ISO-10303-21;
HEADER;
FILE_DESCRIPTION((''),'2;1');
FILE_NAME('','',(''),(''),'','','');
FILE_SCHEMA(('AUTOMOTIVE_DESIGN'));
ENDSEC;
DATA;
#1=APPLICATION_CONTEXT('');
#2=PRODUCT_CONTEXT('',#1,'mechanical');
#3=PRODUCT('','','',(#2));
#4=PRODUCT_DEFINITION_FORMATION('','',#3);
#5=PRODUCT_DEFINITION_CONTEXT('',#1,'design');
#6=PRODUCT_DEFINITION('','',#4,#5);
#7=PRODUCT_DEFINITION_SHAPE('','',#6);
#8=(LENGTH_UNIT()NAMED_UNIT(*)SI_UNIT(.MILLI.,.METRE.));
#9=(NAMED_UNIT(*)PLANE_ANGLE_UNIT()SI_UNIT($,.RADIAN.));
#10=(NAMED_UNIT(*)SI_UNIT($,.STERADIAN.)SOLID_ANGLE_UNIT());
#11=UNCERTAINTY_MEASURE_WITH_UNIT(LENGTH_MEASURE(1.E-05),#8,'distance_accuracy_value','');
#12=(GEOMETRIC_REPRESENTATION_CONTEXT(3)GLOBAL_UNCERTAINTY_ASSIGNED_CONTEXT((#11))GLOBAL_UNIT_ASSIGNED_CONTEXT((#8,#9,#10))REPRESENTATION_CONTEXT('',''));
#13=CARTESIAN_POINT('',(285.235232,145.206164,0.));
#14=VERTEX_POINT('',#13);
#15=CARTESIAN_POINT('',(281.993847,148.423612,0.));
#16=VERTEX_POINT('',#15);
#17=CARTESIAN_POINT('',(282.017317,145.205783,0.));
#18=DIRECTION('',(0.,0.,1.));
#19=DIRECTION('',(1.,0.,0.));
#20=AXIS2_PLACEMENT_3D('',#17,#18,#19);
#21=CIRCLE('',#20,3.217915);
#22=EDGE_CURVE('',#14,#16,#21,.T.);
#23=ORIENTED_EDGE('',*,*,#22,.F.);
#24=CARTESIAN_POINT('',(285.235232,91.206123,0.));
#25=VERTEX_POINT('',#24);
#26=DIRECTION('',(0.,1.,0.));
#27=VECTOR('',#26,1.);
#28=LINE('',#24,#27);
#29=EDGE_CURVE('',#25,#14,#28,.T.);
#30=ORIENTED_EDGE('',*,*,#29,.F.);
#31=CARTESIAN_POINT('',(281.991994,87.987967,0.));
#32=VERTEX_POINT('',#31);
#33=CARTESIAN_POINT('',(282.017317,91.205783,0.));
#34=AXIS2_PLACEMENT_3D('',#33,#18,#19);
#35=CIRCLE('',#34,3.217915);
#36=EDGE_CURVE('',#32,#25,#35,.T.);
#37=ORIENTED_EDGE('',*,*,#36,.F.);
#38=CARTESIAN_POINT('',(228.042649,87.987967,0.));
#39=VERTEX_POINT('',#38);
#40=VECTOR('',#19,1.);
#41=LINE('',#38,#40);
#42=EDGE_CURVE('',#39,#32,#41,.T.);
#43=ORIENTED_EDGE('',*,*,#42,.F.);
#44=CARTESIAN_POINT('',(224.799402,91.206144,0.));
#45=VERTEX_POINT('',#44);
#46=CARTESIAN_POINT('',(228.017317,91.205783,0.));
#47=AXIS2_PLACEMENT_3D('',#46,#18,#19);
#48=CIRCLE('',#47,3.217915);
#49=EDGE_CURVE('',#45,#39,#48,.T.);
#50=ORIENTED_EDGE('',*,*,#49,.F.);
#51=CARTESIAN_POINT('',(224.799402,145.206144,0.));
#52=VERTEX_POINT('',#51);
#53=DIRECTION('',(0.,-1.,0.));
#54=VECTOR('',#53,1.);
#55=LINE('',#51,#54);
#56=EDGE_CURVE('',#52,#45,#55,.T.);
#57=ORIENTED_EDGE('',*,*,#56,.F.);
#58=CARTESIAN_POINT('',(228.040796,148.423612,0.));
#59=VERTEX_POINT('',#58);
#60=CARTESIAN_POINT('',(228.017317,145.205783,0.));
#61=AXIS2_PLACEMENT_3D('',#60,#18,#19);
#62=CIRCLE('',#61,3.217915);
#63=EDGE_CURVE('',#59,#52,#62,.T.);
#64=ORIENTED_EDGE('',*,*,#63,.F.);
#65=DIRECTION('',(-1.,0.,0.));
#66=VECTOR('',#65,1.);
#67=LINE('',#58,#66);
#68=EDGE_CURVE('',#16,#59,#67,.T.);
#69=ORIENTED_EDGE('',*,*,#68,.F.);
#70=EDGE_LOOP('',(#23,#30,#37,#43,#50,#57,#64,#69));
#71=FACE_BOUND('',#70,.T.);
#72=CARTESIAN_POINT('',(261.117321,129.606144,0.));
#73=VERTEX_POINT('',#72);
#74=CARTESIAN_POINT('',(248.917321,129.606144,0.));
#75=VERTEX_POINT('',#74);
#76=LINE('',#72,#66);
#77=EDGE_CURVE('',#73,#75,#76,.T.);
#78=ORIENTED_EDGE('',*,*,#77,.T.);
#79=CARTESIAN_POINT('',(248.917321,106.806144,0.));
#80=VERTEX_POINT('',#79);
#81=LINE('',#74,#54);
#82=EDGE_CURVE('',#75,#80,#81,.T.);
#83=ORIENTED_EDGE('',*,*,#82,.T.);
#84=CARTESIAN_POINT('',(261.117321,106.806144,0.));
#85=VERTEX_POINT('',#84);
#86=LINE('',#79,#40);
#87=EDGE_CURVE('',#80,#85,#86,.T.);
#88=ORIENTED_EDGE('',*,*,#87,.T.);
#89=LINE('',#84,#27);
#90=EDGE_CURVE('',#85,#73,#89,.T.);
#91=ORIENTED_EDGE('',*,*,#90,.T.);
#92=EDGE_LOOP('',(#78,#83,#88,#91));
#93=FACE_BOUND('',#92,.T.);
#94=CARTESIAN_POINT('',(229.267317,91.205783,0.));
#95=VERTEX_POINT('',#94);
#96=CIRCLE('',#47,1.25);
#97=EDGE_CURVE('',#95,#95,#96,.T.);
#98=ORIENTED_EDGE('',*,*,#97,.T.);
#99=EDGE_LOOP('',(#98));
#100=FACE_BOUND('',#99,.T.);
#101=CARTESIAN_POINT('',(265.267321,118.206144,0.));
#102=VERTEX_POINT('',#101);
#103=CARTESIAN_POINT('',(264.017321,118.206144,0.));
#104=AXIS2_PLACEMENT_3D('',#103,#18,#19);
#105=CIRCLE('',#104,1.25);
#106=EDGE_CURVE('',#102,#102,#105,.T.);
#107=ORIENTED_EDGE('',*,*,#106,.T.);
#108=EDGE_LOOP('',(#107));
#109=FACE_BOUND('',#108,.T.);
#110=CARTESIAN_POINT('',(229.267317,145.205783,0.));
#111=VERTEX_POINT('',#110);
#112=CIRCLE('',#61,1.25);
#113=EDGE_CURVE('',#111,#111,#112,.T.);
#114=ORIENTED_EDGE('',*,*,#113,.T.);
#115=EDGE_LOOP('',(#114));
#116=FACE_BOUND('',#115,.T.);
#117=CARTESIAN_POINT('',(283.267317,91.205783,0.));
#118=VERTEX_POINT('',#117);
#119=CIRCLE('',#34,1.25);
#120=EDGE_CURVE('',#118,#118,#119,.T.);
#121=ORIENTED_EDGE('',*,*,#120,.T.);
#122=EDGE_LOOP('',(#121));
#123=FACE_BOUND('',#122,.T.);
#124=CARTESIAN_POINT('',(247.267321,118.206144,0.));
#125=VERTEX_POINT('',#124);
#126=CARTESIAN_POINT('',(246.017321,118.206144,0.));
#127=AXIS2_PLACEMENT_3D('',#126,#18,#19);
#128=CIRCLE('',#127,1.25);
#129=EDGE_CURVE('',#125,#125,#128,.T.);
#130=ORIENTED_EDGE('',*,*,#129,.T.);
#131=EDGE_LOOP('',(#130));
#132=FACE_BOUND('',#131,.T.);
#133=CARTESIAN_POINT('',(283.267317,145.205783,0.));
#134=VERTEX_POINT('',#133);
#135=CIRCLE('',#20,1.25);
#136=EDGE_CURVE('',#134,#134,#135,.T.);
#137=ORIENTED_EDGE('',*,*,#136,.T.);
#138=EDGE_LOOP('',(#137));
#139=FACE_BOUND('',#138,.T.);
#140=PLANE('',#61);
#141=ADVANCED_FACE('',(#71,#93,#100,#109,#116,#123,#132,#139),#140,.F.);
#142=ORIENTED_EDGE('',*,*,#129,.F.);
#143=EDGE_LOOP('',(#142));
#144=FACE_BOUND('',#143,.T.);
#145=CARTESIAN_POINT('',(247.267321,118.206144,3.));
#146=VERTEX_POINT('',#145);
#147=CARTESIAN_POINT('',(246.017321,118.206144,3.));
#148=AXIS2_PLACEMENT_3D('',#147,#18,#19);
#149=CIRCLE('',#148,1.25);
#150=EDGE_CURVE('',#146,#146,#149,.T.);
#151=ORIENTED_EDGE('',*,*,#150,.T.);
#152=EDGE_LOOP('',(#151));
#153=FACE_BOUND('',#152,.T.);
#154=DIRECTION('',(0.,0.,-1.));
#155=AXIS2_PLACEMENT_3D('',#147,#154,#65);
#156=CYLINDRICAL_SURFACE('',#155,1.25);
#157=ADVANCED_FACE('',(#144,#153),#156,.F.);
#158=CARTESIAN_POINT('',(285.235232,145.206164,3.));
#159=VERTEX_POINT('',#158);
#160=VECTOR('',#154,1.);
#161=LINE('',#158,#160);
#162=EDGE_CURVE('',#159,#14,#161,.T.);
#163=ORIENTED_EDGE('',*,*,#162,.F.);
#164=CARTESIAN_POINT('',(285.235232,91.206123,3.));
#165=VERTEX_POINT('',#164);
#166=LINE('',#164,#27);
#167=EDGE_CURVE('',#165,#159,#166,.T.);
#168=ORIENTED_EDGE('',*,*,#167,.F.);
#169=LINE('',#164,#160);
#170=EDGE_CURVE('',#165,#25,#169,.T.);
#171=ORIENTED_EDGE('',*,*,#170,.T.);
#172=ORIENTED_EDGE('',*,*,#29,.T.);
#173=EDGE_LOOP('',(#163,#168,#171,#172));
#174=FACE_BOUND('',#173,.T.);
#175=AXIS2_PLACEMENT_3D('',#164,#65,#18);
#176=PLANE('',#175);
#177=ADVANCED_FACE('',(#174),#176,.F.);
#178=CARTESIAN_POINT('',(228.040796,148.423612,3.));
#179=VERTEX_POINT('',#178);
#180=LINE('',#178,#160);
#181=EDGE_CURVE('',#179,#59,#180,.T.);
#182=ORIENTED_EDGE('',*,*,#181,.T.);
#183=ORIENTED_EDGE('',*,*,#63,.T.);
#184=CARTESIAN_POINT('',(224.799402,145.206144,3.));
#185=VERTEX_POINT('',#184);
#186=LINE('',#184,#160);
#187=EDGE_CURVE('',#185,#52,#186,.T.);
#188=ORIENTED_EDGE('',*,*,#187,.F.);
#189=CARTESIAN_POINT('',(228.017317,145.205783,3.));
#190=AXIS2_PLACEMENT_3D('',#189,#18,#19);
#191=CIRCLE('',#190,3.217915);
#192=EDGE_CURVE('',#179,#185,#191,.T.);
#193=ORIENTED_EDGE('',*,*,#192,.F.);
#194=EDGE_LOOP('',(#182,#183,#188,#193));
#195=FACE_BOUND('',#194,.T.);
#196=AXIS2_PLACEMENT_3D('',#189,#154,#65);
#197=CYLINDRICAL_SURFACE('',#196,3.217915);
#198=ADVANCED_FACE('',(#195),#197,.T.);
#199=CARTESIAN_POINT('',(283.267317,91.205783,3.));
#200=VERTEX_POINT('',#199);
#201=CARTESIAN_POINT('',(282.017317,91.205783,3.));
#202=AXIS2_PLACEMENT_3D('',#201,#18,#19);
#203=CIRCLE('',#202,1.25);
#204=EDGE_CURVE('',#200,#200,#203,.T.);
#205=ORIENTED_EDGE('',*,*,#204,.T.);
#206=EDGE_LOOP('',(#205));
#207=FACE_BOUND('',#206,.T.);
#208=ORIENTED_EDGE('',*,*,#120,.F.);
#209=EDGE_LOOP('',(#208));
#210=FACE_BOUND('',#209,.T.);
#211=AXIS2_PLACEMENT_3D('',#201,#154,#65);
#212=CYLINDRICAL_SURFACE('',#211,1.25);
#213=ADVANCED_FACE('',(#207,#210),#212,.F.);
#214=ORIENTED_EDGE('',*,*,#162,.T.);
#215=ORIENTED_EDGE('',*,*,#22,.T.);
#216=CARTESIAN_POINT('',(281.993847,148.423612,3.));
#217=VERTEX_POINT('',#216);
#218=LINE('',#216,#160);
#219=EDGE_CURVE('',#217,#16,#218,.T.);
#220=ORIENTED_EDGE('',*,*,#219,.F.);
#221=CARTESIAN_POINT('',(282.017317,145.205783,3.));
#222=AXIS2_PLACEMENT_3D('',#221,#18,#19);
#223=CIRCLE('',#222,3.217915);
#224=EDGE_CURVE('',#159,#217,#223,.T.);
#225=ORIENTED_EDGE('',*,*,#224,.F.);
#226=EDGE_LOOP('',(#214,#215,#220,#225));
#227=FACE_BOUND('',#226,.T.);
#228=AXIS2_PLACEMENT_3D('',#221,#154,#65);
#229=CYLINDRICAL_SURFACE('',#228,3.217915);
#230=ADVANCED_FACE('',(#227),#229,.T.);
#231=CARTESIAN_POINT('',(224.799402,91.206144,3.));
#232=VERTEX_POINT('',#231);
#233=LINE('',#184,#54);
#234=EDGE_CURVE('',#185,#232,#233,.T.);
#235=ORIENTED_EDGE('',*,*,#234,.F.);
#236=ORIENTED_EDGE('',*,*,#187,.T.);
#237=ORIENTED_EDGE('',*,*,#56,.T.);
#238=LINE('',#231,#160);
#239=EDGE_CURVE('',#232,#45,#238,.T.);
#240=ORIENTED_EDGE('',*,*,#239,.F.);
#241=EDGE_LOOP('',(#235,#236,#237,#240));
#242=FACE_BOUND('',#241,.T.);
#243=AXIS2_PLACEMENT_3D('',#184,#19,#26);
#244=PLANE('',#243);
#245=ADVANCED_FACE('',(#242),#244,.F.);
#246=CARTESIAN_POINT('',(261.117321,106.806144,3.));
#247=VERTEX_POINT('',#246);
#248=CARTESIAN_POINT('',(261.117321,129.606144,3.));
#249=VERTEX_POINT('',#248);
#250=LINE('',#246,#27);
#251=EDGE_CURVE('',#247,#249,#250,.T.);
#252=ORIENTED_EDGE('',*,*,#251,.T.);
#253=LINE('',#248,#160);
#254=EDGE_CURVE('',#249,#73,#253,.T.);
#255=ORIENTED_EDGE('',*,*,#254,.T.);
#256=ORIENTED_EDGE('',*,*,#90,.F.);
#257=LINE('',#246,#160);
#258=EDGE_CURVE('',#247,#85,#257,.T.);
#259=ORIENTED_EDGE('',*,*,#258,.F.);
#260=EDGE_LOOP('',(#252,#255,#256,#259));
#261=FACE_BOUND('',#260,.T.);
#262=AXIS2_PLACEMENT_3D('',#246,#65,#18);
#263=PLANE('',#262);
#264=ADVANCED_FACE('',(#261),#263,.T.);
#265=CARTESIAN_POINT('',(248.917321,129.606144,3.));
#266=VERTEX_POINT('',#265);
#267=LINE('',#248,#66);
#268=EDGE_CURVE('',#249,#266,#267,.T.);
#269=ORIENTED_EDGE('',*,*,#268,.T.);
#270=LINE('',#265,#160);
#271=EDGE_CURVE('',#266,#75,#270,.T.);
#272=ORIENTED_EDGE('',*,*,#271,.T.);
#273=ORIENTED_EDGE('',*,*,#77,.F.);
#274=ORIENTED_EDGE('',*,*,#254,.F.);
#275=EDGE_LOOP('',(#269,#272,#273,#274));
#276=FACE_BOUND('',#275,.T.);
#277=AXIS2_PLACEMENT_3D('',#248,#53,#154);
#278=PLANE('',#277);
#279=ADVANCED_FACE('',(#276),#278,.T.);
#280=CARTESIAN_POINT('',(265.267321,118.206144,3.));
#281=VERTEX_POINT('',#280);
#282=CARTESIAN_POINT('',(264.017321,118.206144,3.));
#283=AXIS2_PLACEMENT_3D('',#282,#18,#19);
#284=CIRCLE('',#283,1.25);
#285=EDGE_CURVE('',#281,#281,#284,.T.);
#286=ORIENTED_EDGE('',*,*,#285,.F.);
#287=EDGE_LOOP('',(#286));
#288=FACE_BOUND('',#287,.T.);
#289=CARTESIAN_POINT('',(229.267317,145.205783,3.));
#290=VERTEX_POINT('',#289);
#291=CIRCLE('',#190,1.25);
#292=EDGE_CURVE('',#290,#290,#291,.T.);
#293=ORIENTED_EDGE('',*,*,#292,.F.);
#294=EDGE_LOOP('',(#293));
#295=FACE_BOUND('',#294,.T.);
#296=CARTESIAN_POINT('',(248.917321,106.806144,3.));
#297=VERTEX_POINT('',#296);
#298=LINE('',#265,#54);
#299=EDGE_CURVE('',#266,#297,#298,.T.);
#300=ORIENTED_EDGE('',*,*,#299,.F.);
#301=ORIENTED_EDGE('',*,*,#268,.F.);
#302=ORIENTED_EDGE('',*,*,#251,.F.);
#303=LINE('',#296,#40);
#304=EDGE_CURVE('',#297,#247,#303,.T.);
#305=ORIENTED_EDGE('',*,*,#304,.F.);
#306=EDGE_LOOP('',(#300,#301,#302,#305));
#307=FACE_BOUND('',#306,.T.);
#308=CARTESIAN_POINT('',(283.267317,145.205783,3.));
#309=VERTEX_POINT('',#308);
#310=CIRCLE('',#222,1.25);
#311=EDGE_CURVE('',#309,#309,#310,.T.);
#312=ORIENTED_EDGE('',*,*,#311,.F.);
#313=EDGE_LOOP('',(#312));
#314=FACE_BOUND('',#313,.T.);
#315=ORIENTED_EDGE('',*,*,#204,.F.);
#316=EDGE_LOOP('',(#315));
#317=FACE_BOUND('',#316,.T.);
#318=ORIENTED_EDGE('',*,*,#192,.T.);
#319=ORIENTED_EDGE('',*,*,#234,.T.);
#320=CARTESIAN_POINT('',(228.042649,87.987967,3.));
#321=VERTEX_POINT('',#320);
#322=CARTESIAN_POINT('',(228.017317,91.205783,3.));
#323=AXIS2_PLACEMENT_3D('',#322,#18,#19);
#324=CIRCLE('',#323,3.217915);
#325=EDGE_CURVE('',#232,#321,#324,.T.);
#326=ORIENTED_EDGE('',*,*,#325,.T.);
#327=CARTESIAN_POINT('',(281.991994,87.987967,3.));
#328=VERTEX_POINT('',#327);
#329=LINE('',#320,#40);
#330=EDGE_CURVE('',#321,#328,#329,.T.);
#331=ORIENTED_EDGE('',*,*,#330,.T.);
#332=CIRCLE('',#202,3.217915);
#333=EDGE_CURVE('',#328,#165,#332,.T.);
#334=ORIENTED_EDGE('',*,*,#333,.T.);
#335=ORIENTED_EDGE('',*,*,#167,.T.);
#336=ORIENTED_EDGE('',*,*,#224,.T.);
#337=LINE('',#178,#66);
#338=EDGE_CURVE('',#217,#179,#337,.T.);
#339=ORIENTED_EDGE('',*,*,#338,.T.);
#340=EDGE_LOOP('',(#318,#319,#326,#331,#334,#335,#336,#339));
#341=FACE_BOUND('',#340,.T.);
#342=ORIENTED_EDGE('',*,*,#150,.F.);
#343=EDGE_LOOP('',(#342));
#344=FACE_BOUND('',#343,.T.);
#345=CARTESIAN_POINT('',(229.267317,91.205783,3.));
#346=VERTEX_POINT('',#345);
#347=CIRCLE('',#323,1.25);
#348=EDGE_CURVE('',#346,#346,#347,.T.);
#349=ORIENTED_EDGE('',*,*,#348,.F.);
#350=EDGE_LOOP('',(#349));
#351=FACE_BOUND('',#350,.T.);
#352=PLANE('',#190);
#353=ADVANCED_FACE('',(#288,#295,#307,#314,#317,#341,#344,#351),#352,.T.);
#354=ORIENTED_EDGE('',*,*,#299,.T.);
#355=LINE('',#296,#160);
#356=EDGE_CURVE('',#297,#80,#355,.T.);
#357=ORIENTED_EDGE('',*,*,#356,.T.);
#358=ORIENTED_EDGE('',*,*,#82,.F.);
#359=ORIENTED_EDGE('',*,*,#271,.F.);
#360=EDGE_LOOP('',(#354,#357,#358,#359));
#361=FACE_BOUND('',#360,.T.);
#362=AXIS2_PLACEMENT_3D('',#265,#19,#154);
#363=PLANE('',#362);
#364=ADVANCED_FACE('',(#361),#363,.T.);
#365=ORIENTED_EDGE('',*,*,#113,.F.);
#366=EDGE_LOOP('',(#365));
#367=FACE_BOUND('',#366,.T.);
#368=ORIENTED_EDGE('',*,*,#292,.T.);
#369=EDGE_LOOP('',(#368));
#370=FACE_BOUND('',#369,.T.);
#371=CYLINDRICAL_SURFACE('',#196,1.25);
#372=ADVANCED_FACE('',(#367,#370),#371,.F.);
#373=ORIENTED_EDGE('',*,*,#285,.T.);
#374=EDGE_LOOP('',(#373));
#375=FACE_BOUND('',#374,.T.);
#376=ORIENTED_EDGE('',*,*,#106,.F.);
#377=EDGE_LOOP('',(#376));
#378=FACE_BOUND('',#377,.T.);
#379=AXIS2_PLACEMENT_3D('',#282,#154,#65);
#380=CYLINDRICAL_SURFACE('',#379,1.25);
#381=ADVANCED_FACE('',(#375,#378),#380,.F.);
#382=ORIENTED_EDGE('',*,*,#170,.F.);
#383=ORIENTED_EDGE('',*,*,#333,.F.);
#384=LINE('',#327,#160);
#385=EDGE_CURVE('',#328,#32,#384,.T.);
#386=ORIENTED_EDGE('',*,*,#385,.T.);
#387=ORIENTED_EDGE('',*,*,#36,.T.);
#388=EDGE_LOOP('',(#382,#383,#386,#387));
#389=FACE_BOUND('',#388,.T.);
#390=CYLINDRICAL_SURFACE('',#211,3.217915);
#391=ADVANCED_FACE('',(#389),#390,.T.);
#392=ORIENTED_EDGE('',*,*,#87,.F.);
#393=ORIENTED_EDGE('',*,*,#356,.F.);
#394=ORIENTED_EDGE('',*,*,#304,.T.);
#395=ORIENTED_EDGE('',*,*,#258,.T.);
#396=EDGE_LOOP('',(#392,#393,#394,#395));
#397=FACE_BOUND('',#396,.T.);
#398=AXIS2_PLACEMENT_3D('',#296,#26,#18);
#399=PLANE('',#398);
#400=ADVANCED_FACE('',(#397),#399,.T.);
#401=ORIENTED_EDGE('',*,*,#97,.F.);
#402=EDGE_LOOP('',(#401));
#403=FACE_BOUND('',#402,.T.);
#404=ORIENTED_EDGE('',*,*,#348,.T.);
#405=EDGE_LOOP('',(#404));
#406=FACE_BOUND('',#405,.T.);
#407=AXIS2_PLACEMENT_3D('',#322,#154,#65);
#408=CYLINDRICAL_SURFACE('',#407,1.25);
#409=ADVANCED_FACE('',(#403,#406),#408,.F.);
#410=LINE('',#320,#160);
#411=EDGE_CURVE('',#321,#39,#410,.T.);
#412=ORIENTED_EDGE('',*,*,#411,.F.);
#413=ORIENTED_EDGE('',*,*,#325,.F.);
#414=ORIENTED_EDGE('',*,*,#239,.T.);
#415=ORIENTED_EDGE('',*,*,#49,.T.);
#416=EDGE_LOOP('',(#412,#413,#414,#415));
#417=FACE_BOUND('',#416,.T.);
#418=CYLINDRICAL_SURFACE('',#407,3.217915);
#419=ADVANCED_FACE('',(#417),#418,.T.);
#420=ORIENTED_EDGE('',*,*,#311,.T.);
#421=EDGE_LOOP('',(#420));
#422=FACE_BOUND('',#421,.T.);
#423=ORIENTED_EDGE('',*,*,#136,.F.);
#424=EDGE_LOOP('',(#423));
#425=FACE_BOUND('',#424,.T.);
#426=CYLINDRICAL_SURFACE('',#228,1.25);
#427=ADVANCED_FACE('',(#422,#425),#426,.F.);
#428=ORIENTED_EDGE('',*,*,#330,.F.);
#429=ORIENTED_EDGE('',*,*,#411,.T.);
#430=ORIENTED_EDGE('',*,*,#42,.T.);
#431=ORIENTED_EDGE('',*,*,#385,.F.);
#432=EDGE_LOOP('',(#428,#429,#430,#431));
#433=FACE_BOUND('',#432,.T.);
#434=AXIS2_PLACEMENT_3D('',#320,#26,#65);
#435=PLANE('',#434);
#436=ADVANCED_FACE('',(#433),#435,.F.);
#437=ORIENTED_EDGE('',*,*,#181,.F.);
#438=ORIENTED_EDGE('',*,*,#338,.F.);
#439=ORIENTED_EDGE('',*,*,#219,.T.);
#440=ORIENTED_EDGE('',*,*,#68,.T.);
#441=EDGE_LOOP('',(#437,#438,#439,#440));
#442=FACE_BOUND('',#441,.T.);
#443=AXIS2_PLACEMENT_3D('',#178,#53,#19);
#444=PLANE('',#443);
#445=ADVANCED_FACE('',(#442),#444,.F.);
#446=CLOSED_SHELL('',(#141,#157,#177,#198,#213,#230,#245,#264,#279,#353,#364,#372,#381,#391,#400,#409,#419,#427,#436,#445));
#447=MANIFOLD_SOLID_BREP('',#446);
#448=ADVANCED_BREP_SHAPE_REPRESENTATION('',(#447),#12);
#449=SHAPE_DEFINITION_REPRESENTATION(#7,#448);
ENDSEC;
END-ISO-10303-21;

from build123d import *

# Parameters (mm, degrees)
SKETCH_2_R      = 1.25
SKETCH_2_W      = 12.2
SKETCH_2_H      = 22.8
EXTRUDE_1_DEPTH = 3


with BuildPart() as part:
    # 草圖2 → 填料-伸長1 (new body)
    with BuildSketch(Plane.XY):
        with BuildLine():
            Line((228.04079573, 148.423612482), (281.993846572, 148.423612482))
            ThreePointArc((281.993846572, 148.423612482), (284.284278157, 147.489609967), (285.235232477, 145.20616445))
            Line((285.235232477, 145.20616445), (285.235232477, 91.206122875))
            ThreePointArc((285.235232477, 91.206122875), (284.283876766, 88.921557039), (281.991993643, 87.987966928))
            Line((281.991993643, 87.987966928), (228.042648658, 87.987966928))
            ThreePointArc((228.042648658, 87.987966928), (225.750752888, 88.921561463), (224.799401664, 91.206143662))
            Line((224.799401664, 91.206143662), (224.799401664, 145.206143662))
            ThreePointArc((224.799401664, 145.206143662), (225.750351501, 147.489605539), (228.04079573, 148.423612482))
        make_face()
        with Locations((282.017317101, 91.205782678)):
            Circle(SKETCH_2_R, mode=Mode.SUBTRACT)
        with Locations((228.017317101, 91.205782678)):
            Circle(SKETCH_2_R, mode=Mode.SUBTRACT)
        with Locations((282.017317101, 145.205782678)):
            Circle(SKETCH_2_R, mode=Mode.SUBTRACT)
        with Locations((246.017321151, 118.206143662)):
            Circle(SKETCH_2_R, mode=Mode.SUBTRACT)
        with Locations((264.017321151, 118.206143662)):
            Circle(SKETCH_2_R, mode=Mode.SUBTRACT)
        with Locations((228.017317101, 145.205782678)):
            Circle(SKETCH_2_R, mode=Mode.SUBTRACT)
        with Locations((255.017321151, 118.206143662)):
            Rectangle(SKETCH_2_W, SKETCH_2_H, mode=Mode.SUBTRACT)
    extrude(amount=EXTRUDE_1_DEPTH)


solid = part.part
